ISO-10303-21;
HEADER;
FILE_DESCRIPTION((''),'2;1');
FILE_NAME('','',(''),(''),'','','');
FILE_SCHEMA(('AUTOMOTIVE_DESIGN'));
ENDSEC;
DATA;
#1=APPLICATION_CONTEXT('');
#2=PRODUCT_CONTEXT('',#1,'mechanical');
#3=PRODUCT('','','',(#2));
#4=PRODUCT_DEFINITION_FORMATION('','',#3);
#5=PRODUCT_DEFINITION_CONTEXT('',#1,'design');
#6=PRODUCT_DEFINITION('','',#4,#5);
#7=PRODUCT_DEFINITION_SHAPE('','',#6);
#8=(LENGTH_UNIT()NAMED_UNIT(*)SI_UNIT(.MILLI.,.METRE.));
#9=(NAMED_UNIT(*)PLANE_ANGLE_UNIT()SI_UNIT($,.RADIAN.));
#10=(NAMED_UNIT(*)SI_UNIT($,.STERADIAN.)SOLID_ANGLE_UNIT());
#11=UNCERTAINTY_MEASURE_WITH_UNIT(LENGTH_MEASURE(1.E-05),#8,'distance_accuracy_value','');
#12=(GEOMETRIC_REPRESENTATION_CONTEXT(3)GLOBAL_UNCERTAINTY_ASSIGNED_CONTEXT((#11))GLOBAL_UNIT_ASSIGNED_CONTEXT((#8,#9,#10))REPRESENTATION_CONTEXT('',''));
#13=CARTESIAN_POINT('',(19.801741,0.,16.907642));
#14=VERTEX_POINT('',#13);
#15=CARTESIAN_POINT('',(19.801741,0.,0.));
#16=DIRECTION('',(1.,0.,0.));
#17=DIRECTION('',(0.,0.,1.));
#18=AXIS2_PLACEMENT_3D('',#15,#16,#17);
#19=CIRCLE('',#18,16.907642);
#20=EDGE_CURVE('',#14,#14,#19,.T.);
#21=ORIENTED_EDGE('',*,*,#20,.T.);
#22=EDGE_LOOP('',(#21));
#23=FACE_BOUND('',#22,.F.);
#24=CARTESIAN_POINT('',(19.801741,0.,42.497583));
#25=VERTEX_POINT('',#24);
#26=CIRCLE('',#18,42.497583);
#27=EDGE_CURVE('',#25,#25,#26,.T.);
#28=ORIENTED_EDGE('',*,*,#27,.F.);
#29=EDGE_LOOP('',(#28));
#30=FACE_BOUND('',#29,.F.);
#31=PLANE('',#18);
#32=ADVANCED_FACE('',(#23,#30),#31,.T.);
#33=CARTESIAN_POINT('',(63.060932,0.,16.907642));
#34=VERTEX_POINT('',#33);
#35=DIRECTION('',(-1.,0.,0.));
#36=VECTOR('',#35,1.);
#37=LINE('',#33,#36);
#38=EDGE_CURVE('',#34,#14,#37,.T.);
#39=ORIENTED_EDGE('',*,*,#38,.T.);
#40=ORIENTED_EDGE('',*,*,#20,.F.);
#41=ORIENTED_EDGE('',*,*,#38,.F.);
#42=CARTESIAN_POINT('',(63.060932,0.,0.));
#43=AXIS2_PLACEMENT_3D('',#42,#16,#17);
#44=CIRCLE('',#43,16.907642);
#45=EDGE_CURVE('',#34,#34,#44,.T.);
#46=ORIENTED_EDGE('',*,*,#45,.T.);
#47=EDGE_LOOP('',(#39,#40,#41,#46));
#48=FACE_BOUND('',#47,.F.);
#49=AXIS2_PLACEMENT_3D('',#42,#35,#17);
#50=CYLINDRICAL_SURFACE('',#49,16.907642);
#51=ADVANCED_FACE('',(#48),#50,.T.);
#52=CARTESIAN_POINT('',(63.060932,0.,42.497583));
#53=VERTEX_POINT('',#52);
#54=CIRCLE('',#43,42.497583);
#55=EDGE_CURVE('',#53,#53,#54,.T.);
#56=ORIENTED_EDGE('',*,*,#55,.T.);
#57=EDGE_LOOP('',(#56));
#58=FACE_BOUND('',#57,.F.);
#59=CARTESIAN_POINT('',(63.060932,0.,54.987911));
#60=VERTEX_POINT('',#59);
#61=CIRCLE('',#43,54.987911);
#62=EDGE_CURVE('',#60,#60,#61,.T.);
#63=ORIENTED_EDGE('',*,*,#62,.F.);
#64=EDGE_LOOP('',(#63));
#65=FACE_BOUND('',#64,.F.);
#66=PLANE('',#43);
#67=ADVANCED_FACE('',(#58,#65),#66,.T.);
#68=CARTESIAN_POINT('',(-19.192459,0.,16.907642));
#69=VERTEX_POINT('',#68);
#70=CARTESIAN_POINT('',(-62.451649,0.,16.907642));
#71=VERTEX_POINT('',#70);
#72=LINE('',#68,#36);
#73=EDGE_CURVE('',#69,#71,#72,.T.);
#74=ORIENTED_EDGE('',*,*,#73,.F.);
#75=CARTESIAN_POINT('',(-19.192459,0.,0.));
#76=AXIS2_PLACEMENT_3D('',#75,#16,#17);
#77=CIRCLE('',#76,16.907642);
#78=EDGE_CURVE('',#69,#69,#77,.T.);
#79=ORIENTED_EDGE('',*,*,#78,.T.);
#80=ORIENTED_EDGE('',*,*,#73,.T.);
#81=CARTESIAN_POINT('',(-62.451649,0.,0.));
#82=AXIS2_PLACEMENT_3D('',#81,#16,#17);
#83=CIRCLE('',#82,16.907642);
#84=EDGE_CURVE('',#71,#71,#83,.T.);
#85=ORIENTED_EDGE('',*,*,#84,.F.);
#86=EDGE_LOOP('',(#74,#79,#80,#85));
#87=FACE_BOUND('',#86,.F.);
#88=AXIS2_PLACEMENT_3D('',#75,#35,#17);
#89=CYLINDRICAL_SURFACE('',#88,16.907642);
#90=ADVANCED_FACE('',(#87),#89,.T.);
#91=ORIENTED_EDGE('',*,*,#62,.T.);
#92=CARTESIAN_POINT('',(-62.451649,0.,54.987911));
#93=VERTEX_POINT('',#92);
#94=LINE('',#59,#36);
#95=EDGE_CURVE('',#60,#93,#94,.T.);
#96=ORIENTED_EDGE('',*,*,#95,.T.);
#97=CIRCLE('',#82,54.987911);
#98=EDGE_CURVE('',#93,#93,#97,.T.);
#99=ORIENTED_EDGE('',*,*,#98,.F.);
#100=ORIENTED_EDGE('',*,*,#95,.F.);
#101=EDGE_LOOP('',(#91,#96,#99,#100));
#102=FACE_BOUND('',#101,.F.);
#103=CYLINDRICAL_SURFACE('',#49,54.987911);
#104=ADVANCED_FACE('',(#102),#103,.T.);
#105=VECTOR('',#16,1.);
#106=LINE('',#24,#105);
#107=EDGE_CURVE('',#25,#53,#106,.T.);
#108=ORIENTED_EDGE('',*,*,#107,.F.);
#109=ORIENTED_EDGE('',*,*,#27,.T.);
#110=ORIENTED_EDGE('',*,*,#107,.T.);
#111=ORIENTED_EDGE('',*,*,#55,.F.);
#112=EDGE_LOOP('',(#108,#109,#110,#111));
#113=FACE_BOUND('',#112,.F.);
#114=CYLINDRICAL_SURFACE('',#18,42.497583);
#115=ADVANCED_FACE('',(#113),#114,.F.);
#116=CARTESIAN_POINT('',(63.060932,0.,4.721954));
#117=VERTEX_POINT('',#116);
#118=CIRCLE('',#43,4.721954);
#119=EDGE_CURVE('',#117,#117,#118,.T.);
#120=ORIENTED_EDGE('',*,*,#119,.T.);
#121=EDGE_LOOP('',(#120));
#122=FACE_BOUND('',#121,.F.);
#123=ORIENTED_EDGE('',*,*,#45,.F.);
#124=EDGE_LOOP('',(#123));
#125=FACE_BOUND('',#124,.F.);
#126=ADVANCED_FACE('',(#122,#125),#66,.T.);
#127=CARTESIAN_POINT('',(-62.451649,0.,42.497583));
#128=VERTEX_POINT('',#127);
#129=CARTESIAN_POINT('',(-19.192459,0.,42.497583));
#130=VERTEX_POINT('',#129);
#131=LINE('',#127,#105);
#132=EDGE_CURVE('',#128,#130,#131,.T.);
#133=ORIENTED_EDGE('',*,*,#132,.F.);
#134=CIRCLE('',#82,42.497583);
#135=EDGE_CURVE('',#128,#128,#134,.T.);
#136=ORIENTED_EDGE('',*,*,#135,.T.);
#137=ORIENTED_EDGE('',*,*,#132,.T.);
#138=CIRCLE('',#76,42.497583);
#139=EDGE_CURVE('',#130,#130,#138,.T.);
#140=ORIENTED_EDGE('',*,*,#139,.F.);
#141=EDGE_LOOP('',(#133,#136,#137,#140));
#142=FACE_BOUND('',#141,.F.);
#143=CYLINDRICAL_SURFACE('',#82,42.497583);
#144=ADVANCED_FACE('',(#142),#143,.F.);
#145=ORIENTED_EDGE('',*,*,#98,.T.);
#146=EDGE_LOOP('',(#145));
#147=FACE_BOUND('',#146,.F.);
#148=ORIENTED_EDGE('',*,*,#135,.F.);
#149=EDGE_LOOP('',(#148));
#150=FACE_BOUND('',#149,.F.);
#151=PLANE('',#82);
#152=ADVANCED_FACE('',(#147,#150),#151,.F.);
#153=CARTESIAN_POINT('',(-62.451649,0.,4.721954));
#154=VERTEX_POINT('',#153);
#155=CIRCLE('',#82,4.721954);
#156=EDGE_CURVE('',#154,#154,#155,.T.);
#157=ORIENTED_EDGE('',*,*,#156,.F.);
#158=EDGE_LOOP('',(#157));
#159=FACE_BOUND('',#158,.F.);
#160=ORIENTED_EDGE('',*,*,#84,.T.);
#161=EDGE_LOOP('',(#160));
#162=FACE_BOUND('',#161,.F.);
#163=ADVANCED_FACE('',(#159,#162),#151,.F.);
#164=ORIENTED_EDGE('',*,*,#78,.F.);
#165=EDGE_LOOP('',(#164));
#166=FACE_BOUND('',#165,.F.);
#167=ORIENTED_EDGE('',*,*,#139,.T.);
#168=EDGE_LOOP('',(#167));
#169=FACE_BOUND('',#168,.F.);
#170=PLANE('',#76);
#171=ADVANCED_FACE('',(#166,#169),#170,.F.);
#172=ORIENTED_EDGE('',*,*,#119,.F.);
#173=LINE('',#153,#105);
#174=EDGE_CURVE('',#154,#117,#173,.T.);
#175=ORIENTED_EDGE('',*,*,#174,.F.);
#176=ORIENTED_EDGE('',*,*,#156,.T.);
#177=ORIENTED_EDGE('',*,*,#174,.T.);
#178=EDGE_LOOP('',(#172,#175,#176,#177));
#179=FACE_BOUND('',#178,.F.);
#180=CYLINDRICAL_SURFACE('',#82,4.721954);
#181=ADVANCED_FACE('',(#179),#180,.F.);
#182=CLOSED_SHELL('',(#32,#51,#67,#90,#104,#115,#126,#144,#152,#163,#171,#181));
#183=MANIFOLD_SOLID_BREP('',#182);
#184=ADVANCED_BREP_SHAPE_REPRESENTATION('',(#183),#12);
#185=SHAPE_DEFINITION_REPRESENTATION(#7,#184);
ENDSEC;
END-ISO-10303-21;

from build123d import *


with BuildPart() as f1:
    # F0 (on Front) → F1 (revolve)
    with BuildSketch(Plane.XZ):
        Polygon((63.060932, 54.987911), (0.304641, 54.987911), (-62.451649, 54.987911), (-62.451649, 42.497583), (-19.192459, 42.497583), (-19.192459, 16.907642), (-62.451649, 16.907642), (-62.451649, 4.721954), (0, 4.721954), (0.609282, 4.721954), (63.060932, 4.721954), (63.060932, 16.907642), (19.801741, 16.907642), (19.801741, 42.497583), (63.060932, 42.497583), align=None)
    revolve(axis=Axis((4e-06, 0, 0), (1, 0, 0)))


solid = f1.part
